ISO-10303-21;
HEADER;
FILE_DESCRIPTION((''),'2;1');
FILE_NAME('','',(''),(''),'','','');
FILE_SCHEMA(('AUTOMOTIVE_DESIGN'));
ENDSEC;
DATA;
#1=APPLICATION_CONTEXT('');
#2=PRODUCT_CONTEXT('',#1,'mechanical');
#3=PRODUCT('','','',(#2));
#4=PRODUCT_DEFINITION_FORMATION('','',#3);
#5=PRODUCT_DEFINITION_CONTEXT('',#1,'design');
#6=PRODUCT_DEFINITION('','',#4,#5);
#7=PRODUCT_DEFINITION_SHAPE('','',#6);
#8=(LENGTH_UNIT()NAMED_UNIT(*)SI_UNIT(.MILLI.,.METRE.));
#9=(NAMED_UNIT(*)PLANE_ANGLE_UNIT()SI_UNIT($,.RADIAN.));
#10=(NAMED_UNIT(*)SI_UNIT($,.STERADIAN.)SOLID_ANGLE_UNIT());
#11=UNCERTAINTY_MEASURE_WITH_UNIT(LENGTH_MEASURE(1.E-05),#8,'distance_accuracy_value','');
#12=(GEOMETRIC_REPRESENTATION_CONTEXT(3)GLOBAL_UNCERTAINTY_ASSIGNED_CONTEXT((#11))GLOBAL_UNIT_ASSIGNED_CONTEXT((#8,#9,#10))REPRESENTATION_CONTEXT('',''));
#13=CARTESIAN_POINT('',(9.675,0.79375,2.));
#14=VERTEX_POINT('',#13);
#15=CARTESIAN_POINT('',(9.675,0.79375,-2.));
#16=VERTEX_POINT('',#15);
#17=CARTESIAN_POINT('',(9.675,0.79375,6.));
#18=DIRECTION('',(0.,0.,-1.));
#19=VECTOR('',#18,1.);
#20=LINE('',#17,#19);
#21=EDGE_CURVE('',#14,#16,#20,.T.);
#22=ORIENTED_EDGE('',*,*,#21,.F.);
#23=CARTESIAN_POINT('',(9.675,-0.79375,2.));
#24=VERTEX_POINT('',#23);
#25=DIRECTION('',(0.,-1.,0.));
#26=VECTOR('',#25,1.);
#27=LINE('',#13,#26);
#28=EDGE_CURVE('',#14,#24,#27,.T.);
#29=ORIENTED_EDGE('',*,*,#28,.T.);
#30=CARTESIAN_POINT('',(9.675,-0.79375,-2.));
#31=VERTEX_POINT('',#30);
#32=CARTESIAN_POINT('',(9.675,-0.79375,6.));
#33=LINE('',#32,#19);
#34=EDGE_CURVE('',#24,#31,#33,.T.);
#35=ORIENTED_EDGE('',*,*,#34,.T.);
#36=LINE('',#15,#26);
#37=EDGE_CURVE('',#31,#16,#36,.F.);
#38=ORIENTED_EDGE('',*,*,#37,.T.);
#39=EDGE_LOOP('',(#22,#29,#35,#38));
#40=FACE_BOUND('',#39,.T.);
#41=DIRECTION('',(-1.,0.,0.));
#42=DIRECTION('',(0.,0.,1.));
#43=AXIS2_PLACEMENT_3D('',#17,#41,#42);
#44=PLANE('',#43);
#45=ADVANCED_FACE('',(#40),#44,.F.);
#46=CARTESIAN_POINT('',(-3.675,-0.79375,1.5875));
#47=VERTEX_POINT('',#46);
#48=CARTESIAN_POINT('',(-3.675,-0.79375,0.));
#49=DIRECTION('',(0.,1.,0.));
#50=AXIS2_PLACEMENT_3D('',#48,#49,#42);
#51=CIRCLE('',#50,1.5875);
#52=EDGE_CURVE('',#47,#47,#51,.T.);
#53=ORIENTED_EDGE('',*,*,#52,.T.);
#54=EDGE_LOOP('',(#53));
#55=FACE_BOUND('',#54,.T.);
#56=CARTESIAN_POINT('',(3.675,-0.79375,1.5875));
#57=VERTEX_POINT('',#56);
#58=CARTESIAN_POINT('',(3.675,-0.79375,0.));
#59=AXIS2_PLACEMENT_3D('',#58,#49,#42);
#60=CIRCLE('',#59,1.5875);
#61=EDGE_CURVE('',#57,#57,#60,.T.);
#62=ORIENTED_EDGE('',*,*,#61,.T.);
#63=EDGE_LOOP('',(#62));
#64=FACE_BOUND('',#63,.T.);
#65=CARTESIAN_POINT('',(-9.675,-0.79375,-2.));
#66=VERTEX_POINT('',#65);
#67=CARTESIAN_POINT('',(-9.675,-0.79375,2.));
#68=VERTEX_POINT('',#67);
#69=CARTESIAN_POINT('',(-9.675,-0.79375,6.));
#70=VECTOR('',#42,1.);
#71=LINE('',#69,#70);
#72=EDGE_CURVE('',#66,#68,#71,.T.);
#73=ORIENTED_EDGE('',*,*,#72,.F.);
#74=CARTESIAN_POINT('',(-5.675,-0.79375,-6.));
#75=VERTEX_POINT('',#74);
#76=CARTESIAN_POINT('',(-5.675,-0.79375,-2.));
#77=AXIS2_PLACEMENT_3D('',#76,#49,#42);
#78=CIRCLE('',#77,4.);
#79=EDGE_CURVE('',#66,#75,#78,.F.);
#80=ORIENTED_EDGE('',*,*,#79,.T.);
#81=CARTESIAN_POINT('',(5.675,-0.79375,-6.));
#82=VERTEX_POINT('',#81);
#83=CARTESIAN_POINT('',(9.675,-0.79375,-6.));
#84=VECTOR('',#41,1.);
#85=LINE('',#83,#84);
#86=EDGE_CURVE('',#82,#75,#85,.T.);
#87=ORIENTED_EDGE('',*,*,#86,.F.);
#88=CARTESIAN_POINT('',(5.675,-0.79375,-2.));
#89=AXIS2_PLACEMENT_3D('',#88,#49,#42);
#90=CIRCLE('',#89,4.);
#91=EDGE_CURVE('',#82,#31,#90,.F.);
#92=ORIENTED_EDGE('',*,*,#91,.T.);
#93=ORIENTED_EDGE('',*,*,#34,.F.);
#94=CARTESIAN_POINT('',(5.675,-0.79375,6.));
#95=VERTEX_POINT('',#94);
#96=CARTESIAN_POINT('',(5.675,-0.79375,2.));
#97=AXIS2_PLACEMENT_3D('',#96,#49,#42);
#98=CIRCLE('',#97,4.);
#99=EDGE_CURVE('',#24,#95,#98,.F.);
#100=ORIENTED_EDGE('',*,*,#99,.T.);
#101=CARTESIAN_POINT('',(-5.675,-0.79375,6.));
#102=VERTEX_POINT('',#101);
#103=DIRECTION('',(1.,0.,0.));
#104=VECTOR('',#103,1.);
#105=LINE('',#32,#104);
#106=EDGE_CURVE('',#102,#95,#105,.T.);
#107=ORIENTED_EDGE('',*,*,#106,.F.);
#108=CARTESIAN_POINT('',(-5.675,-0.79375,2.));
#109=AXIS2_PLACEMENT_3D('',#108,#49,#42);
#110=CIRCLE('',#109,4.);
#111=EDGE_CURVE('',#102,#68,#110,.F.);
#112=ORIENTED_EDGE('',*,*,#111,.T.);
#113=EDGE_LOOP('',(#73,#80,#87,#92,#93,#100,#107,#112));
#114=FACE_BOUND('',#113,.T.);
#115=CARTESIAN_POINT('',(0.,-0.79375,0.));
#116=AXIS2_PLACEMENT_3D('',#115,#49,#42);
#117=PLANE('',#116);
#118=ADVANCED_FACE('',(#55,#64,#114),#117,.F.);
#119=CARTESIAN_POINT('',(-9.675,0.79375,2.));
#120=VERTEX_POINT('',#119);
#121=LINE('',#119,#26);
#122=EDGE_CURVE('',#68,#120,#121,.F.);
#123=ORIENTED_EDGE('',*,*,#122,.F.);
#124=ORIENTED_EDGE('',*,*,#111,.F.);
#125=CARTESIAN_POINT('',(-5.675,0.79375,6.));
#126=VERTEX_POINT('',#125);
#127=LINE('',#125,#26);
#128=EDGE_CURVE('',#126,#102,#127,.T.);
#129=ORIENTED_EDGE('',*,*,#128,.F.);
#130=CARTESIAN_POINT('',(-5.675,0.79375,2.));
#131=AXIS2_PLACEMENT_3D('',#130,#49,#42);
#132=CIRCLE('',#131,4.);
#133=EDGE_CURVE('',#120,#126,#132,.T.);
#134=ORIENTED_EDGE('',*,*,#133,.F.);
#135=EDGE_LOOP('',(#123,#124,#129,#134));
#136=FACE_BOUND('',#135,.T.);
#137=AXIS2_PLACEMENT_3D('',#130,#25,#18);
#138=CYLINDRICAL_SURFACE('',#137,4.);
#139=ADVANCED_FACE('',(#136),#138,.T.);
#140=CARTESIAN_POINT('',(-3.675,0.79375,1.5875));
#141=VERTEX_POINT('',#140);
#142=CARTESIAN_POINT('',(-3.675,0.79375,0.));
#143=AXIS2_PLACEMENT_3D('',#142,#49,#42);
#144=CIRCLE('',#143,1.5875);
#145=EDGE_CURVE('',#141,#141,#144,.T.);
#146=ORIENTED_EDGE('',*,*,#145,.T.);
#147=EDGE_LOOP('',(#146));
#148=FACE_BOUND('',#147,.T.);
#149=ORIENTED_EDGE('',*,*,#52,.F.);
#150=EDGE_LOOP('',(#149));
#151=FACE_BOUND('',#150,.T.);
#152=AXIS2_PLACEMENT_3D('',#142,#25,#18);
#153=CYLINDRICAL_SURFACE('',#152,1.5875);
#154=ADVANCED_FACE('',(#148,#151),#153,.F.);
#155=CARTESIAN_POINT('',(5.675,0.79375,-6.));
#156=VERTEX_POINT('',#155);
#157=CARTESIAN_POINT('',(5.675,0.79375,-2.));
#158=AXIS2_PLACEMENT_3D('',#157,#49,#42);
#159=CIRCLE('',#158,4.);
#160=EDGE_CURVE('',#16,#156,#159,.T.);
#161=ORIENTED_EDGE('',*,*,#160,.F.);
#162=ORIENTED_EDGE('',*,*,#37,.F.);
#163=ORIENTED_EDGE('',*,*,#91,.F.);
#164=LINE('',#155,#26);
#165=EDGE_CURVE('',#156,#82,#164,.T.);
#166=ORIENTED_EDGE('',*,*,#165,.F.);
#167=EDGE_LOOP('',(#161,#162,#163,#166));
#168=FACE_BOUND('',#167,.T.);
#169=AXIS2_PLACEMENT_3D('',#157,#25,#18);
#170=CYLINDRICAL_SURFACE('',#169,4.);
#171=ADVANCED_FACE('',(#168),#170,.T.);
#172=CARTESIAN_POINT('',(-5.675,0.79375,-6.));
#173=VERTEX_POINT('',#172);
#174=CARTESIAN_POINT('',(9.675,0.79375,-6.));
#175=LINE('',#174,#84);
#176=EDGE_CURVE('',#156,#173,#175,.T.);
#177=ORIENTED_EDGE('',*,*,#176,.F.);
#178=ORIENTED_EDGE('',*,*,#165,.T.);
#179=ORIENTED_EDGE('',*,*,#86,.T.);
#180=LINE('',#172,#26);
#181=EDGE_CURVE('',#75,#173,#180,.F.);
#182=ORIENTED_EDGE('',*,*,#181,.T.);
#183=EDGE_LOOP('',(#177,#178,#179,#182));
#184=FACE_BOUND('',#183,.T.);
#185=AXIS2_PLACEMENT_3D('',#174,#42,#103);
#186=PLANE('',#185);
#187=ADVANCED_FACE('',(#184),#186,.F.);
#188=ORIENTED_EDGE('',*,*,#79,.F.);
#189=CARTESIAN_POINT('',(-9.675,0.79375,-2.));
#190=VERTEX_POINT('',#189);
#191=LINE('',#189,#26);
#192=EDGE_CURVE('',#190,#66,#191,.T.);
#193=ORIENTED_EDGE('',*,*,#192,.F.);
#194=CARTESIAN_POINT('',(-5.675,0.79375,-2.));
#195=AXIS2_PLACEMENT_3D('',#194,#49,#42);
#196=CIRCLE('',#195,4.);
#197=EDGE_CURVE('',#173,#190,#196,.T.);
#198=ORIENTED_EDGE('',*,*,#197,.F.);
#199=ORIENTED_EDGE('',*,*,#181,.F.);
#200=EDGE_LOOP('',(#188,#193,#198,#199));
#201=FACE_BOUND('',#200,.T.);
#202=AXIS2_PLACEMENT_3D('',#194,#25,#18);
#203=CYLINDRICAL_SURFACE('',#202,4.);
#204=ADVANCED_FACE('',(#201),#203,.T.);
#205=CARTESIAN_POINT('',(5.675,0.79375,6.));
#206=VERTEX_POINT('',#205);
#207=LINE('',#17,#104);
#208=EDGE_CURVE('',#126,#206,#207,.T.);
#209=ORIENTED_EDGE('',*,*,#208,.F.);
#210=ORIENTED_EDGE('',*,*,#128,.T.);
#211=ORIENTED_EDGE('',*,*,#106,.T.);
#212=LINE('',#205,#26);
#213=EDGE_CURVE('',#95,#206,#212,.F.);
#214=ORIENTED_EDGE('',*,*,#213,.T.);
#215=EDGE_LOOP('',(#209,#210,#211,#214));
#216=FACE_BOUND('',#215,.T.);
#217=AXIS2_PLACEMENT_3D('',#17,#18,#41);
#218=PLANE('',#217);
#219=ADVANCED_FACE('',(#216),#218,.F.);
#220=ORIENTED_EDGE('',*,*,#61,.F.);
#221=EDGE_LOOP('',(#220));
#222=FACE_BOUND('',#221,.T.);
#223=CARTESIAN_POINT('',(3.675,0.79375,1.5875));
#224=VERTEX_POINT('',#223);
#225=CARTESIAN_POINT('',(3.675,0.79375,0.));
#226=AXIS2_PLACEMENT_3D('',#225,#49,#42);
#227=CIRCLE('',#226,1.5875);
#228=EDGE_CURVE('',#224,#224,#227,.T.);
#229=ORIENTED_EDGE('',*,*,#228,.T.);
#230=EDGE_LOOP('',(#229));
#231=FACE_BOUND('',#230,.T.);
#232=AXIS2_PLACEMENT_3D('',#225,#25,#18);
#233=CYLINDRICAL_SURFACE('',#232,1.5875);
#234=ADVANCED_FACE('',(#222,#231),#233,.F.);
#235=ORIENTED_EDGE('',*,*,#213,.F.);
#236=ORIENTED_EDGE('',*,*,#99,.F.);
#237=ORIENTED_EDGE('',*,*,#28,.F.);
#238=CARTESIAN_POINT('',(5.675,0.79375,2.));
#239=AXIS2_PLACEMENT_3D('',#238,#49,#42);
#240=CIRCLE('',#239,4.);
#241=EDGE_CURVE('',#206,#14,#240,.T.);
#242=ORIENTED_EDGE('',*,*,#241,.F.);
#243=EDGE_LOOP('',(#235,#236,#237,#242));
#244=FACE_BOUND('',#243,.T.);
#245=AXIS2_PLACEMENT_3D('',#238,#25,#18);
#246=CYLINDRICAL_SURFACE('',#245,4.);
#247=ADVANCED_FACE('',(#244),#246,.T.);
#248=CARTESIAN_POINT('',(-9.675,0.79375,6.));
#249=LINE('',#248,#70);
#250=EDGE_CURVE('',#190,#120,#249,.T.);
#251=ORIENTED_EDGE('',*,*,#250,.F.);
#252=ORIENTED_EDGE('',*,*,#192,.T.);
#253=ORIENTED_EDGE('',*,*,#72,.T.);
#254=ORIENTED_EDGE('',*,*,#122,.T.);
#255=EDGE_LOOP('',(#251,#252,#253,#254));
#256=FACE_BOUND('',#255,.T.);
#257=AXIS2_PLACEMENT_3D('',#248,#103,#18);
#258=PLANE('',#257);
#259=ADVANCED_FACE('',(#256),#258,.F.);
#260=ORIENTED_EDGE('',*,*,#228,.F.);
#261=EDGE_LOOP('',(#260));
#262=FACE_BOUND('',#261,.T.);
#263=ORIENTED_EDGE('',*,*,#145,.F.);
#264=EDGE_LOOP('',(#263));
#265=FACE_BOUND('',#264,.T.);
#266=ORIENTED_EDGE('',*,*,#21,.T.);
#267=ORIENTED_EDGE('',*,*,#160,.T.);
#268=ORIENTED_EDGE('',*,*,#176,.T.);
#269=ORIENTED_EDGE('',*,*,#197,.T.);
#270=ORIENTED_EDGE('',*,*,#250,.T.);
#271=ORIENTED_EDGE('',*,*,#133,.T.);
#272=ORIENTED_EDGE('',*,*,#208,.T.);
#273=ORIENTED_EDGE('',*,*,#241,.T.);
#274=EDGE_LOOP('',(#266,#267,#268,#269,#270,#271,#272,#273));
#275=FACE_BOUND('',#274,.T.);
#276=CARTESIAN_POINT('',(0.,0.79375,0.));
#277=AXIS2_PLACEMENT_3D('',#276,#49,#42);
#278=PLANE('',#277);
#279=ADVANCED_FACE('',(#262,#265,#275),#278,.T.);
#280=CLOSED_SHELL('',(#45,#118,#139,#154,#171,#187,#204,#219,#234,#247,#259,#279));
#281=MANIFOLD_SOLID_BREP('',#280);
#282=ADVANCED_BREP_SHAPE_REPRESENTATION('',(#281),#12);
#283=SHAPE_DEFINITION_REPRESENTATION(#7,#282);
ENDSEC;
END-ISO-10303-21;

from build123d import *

# Parameters (mm, degrees)
SKETCH1_W           = 19.35
SKETCH1_H           = 12
SKETCH1_R           = 1.5875
BOSS_EXTRUDE1_DEPTH = 0.79375
FILLET1_R           = 4


with BuildPart() as part:
    # Sketch1 → Boss-Extrude1 (new, symmetric)
    with BuildSketch(Plane(origin=(0, 0, 0), x_dir=(1, 0, 0), z_dir=(0, 1, 0))):
        Rectangle(SKETCH1_W, SKETCH1_H)
        with Locations(Location((-3.675, 0, 0), (0, 0, 270))):
            Circle(SKETCH1_R, mode=Mode.SUBTRACT)
        with Locations(Location((3.675, 0, 0), (0, 0, 270))):
            Circle(SKETCH1_R, mode=Mode.SUBTRACT)
    extrude(amount=BOSS_EXTRUDE1_DEPTH, both=True)

    # Fillet1
    fillet1_edges = [part.edges().sort_by_distance(p)[0] for p in [
        (-9.675, 0, -6),
        (9.675, 0, -6),
        (9.675, 0, 6),
        (-9.675, 0, 6),
    ]]
    fillet(fillet1_edges, radius=FILLET1_R)


solid = part.part
